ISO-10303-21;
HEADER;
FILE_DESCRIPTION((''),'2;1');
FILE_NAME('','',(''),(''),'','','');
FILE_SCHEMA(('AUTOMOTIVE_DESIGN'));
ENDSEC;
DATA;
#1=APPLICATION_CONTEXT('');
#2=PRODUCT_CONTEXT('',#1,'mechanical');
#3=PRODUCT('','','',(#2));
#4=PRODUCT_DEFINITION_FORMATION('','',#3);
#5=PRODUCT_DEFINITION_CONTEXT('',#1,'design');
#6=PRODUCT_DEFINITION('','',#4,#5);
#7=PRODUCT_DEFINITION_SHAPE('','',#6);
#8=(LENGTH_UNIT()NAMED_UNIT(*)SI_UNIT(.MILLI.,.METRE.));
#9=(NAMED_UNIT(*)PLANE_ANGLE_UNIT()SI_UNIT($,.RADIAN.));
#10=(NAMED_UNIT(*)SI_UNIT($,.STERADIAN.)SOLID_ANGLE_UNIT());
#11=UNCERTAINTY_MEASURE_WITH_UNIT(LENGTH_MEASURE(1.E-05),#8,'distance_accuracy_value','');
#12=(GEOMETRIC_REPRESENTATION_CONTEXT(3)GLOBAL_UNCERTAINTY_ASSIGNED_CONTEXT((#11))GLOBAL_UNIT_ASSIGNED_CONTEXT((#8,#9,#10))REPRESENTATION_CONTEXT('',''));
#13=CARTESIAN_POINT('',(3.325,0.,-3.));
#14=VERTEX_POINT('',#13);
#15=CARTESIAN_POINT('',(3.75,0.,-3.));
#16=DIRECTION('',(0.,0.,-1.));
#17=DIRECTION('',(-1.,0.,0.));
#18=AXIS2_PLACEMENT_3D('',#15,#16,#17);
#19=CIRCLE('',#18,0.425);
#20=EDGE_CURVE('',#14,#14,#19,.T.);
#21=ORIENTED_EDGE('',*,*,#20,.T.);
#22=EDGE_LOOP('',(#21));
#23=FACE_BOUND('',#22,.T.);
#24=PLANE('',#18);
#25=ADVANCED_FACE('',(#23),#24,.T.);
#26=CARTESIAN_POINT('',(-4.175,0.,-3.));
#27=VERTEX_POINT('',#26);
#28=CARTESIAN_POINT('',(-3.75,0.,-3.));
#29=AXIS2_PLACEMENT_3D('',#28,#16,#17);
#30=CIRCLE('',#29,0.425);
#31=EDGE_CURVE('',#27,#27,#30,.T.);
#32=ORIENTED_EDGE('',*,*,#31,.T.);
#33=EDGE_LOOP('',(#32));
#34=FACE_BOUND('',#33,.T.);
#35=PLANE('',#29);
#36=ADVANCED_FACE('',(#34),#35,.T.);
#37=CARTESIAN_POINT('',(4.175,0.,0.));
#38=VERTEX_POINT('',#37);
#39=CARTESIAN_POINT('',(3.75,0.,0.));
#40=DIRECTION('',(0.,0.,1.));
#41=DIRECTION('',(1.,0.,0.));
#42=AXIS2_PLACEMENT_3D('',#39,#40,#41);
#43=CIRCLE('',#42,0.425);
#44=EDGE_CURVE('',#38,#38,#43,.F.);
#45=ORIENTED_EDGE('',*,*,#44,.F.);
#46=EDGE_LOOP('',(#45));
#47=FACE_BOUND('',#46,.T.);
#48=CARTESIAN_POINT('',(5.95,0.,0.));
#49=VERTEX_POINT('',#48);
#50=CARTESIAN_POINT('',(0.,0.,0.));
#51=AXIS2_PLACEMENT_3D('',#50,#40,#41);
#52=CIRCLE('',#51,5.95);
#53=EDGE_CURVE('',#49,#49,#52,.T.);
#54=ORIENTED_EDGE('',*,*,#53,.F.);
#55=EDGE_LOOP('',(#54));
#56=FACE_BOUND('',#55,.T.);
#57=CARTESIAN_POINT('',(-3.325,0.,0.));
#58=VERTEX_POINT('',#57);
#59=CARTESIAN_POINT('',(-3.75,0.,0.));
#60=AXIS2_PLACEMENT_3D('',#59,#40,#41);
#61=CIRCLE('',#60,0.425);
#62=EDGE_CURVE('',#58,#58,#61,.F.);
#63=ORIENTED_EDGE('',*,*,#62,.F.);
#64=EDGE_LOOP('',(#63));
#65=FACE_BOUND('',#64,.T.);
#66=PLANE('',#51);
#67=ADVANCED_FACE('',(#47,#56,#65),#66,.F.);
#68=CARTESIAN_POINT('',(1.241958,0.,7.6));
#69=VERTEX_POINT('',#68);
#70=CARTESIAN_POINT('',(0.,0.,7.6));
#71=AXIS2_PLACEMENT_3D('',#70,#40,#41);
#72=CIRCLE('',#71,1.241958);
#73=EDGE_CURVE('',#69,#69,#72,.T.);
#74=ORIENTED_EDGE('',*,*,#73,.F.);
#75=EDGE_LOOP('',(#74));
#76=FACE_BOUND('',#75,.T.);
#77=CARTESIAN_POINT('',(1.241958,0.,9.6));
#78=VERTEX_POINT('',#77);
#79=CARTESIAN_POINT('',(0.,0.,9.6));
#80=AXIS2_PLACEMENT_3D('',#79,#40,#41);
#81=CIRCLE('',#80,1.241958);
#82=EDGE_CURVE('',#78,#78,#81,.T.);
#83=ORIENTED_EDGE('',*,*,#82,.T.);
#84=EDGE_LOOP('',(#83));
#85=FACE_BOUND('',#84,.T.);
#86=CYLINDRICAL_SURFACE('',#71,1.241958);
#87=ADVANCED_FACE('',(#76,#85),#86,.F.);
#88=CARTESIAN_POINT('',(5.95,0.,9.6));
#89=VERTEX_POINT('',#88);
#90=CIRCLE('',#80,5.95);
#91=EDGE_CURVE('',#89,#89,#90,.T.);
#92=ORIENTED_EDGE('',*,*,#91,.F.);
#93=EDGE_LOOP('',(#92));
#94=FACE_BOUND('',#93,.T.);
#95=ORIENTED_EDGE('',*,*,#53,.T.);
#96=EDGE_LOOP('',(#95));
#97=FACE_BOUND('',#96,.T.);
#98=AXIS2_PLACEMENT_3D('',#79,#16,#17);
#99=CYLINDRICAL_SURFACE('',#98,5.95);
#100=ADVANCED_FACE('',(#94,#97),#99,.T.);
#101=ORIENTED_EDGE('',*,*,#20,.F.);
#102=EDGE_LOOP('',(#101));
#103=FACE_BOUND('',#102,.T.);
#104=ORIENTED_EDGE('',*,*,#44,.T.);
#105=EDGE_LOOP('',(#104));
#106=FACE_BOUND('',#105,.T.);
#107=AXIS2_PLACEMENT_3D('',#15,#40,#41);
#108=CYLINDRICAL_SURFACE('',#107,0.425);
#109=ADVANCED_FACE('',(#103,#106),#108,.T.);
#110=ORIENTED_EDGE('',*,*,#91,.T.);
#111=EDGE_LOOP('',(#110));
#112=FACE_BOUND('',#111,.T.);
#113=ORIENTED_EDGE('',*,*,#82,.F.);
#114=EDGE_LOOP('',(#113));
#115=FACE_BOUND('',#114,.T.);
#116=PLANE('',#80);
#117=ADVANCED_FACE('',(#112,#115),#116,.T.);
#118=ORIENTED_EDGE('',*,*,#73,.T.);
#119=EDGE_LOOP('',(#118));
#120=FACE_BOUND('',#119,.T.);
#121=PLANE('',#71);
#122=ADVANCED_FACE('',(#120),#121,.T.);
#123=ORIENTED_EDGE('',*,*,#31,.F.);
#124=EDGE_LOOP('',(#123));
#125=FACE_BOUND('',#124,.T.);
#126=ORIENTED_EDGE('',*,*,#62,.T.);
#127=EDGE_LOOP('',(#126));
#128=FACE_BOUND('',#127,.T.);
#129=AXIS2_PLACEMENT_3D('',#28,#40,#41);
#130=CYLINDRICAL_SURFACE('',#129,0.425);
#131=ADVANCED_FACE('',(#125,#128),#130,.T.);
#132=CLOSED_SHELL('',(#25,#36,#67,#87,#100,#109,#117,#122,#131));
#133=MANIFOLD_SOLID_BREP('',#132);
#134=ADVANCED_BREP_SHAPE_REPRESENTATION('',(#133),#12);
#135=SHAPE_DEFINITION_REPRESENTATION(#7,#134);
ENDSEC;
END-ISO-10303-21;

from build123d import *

# Parameters (mm, degrees)
SKETCH1_R           = 5.95
BOSS_EXTRUDE1_DEPTH = 9.6
SKETCH2_R           = 1.241958451
CUT_EXTRUDE1_DEPTH  = 2
SKETCH3_R           = 0.425
BOSS_EXTRUDE2_DEPTH = 3


with BuildPart() as part:
    # Sketch1 → Boss-Extrude1 (new body)
    with BuildSketch(Plane.XY):
        Circle(SKETCH1_R)
    extrude(amount=BOSS_EXTRUDE1_DEPTH)

    # Sketch2 → Cut-Extrude1 (cut)
    with BuildSketch(Plane.XY.offset(9.6)):
        Circle(SKETCH2_R)
    extrude(amount=-CUT_EXTRUDE1_DEPTH, mode=Mode.SUBTRACT)

    # Sketch3 → Boss-Extrude2 (add)
    with BuildSketch(Plane(origin=(0, 0, 0), x_dir=(-1, 0, 0), z_dir=(0, 0, -1))):
        with Locations((-3.75, 0)):
            Circle(SKETCH3_R)
        with Locations((3.75, 0)):
            Circle(SKETCH3_R)
    extrude(amount=BOSS_EXTRUDE2_DEPTH)


solid = part.part
